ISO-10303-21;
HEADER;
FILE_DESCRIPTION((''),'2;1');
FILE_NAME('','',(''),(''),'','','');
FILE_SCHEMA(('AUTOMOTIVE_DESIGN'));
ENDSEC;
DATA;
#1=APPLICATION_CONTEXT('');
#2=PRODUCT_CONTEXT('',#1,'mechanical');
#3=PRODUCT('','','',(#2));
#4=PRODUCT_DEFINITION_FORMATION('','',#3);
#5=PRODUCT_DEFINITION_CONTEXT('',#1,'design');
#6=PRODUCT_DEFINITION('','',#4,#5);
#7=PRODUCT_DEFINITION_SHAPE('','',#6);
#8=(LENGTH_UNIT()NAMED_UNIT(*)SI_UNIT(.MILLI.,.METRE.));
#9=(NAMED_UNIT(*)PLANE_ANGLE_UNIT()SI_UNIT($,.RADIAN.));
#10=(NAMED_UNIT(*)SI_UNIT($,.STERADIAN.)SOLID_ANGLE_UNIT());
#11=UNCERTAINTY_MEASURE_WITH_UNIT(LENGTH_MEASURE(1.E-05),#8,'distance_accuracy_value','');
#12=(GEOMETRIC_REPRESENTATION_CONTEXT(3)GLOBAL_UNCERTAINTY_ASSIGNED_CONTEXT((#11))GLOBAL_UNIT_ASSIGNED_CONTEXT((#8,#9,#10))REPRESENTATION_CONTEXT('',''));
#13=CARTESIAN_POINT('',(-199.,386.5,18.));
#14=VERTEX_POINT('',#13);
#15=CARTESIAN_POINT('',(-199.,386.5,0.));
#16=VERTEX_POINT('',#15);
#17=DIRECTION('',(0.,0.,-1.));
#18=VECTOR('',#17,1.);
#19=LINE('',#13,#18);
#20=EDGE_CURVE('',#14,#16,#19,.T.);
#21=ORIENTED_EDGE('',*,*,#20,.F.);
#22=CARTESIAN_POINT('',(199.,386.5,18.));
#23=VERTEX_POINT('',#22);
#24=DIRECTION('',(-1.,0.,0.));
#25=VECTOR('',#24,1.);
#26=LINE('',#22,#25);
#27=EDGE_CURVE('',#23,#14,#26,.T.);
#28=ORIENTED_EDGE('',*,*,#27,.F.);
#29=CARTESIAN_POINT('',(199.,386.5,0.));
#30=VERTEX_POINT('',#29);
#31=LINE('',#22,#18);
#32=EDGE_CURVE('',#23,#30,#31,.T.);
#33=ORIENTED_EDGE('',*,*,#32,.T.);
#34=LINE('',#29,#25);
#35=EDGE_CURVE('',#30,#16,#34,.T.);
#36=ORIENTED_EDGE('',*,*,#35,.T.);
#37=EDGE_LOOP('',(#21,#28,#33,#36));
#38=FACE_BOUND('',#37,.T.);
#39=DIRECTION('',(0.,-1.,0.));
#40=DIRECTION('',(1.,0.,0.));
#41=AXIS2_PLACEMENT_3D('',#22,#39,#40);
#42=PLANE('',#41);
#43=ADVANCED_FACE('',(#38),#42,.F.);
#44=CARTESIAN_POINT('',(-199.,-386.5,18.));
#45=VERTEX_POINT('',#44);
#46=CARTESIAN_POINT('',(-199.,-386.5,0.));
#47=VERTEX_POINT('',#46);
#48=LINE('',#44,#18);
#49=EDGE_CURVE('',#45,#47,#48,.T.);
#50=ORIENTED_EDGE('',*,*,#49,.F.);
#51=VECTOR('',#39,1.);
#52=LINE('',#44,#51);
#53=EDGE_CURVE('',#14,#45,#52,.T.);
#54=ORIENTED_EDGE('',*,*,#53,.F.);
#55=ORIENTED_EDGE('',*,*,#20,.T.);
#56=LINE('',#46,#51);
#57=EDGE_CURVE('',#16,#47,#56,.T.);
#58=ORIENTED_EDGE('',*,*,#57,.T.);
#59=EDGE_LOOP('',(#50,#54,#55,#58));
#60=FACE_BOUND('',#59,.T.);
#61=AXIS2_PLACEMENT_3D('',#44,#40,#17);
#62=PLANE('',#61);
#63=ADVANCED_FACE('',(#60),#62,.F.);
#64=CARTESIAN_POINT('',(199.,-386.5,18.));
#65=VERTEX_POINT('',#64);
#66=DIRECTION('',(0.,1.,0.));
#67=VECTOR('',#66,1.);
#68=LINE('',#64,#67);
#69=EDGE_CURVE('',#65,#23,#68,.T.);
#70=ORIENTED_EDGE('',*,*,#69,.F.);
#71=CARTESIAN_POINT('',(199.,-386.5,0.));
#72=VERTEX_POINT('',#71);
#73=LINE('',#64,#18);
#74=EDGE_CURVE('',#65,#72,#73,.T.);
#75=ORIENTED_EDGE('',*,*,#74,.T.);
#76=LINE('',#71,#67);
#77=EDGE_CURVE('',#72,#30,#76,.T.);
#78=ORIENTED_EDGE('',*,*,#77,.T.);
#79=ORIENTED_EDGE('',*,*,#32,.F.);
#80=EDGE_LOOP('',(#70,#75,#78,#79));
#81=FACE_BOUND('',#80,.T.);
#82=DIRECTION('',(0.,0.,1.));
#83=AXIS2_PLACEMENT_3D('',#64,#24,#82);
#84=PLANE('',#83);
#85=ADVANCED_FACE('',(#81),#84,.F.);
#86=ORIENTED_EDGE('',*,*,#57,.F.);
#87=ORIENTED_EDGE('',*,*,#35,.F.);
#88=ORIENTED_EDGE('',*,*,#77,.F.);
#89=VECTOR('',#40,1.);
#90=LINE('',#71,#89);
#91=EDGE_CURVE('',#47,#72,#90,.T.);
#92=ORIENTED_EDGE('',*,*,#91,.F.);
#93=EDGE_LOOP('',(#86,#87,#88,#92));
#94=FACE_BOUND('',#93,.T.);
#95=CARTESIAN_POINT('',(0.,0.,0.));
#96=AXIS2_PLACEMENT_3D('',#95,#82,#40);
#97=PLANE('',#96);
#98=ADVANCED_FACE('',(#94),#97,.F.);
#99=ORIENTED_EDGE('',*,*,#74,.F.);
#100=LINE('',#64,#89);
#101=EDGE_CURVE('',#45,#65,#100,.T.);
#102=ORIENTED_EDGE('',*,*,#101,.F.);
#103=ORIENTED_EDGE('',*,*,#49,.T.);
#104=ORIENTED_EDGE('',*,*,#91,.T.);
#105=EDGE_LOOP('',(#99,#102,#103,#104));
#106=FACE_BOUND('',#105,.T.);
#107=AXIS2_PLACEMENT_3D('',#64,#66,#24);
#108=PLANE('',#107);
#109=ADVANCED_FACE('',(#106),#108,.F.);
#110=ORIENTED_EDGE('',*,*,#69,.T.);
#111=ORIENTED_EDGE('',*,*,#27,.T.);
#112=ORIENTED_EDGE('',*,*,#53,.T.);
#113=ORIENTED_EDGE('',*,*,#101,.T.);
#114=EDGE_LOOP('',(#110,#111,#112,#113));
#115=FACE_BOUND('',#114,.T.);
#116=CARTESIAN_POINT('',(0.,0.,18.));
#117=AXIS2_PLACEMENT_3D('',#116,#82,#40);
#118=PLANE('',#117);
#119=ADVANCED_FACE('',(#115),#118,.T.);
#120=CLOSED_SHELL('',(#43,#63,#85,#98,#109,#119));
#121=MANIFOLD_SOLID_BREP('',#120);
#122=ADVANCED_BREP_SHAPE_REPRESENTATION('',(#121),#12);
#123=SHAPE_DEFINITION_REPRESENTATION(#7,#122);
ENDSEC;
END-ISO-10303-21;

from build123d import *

# Parameters (mm, degrees)
SKETCH1_W           = 398
SKETCH1_H           = 773
BOSS_EXTRUDE1_DEPTH = 18


with BuildPart() as part:
    # Sketch1 → Boss-Extrude1 (new body)
    with BuildSketch(Plane.XY):
        Rectangle(SKETCH1_W, SKETCH1_H)
    extrude(amount=BOSS_EXTRUDE1_DEPTH)


solid = part.part
